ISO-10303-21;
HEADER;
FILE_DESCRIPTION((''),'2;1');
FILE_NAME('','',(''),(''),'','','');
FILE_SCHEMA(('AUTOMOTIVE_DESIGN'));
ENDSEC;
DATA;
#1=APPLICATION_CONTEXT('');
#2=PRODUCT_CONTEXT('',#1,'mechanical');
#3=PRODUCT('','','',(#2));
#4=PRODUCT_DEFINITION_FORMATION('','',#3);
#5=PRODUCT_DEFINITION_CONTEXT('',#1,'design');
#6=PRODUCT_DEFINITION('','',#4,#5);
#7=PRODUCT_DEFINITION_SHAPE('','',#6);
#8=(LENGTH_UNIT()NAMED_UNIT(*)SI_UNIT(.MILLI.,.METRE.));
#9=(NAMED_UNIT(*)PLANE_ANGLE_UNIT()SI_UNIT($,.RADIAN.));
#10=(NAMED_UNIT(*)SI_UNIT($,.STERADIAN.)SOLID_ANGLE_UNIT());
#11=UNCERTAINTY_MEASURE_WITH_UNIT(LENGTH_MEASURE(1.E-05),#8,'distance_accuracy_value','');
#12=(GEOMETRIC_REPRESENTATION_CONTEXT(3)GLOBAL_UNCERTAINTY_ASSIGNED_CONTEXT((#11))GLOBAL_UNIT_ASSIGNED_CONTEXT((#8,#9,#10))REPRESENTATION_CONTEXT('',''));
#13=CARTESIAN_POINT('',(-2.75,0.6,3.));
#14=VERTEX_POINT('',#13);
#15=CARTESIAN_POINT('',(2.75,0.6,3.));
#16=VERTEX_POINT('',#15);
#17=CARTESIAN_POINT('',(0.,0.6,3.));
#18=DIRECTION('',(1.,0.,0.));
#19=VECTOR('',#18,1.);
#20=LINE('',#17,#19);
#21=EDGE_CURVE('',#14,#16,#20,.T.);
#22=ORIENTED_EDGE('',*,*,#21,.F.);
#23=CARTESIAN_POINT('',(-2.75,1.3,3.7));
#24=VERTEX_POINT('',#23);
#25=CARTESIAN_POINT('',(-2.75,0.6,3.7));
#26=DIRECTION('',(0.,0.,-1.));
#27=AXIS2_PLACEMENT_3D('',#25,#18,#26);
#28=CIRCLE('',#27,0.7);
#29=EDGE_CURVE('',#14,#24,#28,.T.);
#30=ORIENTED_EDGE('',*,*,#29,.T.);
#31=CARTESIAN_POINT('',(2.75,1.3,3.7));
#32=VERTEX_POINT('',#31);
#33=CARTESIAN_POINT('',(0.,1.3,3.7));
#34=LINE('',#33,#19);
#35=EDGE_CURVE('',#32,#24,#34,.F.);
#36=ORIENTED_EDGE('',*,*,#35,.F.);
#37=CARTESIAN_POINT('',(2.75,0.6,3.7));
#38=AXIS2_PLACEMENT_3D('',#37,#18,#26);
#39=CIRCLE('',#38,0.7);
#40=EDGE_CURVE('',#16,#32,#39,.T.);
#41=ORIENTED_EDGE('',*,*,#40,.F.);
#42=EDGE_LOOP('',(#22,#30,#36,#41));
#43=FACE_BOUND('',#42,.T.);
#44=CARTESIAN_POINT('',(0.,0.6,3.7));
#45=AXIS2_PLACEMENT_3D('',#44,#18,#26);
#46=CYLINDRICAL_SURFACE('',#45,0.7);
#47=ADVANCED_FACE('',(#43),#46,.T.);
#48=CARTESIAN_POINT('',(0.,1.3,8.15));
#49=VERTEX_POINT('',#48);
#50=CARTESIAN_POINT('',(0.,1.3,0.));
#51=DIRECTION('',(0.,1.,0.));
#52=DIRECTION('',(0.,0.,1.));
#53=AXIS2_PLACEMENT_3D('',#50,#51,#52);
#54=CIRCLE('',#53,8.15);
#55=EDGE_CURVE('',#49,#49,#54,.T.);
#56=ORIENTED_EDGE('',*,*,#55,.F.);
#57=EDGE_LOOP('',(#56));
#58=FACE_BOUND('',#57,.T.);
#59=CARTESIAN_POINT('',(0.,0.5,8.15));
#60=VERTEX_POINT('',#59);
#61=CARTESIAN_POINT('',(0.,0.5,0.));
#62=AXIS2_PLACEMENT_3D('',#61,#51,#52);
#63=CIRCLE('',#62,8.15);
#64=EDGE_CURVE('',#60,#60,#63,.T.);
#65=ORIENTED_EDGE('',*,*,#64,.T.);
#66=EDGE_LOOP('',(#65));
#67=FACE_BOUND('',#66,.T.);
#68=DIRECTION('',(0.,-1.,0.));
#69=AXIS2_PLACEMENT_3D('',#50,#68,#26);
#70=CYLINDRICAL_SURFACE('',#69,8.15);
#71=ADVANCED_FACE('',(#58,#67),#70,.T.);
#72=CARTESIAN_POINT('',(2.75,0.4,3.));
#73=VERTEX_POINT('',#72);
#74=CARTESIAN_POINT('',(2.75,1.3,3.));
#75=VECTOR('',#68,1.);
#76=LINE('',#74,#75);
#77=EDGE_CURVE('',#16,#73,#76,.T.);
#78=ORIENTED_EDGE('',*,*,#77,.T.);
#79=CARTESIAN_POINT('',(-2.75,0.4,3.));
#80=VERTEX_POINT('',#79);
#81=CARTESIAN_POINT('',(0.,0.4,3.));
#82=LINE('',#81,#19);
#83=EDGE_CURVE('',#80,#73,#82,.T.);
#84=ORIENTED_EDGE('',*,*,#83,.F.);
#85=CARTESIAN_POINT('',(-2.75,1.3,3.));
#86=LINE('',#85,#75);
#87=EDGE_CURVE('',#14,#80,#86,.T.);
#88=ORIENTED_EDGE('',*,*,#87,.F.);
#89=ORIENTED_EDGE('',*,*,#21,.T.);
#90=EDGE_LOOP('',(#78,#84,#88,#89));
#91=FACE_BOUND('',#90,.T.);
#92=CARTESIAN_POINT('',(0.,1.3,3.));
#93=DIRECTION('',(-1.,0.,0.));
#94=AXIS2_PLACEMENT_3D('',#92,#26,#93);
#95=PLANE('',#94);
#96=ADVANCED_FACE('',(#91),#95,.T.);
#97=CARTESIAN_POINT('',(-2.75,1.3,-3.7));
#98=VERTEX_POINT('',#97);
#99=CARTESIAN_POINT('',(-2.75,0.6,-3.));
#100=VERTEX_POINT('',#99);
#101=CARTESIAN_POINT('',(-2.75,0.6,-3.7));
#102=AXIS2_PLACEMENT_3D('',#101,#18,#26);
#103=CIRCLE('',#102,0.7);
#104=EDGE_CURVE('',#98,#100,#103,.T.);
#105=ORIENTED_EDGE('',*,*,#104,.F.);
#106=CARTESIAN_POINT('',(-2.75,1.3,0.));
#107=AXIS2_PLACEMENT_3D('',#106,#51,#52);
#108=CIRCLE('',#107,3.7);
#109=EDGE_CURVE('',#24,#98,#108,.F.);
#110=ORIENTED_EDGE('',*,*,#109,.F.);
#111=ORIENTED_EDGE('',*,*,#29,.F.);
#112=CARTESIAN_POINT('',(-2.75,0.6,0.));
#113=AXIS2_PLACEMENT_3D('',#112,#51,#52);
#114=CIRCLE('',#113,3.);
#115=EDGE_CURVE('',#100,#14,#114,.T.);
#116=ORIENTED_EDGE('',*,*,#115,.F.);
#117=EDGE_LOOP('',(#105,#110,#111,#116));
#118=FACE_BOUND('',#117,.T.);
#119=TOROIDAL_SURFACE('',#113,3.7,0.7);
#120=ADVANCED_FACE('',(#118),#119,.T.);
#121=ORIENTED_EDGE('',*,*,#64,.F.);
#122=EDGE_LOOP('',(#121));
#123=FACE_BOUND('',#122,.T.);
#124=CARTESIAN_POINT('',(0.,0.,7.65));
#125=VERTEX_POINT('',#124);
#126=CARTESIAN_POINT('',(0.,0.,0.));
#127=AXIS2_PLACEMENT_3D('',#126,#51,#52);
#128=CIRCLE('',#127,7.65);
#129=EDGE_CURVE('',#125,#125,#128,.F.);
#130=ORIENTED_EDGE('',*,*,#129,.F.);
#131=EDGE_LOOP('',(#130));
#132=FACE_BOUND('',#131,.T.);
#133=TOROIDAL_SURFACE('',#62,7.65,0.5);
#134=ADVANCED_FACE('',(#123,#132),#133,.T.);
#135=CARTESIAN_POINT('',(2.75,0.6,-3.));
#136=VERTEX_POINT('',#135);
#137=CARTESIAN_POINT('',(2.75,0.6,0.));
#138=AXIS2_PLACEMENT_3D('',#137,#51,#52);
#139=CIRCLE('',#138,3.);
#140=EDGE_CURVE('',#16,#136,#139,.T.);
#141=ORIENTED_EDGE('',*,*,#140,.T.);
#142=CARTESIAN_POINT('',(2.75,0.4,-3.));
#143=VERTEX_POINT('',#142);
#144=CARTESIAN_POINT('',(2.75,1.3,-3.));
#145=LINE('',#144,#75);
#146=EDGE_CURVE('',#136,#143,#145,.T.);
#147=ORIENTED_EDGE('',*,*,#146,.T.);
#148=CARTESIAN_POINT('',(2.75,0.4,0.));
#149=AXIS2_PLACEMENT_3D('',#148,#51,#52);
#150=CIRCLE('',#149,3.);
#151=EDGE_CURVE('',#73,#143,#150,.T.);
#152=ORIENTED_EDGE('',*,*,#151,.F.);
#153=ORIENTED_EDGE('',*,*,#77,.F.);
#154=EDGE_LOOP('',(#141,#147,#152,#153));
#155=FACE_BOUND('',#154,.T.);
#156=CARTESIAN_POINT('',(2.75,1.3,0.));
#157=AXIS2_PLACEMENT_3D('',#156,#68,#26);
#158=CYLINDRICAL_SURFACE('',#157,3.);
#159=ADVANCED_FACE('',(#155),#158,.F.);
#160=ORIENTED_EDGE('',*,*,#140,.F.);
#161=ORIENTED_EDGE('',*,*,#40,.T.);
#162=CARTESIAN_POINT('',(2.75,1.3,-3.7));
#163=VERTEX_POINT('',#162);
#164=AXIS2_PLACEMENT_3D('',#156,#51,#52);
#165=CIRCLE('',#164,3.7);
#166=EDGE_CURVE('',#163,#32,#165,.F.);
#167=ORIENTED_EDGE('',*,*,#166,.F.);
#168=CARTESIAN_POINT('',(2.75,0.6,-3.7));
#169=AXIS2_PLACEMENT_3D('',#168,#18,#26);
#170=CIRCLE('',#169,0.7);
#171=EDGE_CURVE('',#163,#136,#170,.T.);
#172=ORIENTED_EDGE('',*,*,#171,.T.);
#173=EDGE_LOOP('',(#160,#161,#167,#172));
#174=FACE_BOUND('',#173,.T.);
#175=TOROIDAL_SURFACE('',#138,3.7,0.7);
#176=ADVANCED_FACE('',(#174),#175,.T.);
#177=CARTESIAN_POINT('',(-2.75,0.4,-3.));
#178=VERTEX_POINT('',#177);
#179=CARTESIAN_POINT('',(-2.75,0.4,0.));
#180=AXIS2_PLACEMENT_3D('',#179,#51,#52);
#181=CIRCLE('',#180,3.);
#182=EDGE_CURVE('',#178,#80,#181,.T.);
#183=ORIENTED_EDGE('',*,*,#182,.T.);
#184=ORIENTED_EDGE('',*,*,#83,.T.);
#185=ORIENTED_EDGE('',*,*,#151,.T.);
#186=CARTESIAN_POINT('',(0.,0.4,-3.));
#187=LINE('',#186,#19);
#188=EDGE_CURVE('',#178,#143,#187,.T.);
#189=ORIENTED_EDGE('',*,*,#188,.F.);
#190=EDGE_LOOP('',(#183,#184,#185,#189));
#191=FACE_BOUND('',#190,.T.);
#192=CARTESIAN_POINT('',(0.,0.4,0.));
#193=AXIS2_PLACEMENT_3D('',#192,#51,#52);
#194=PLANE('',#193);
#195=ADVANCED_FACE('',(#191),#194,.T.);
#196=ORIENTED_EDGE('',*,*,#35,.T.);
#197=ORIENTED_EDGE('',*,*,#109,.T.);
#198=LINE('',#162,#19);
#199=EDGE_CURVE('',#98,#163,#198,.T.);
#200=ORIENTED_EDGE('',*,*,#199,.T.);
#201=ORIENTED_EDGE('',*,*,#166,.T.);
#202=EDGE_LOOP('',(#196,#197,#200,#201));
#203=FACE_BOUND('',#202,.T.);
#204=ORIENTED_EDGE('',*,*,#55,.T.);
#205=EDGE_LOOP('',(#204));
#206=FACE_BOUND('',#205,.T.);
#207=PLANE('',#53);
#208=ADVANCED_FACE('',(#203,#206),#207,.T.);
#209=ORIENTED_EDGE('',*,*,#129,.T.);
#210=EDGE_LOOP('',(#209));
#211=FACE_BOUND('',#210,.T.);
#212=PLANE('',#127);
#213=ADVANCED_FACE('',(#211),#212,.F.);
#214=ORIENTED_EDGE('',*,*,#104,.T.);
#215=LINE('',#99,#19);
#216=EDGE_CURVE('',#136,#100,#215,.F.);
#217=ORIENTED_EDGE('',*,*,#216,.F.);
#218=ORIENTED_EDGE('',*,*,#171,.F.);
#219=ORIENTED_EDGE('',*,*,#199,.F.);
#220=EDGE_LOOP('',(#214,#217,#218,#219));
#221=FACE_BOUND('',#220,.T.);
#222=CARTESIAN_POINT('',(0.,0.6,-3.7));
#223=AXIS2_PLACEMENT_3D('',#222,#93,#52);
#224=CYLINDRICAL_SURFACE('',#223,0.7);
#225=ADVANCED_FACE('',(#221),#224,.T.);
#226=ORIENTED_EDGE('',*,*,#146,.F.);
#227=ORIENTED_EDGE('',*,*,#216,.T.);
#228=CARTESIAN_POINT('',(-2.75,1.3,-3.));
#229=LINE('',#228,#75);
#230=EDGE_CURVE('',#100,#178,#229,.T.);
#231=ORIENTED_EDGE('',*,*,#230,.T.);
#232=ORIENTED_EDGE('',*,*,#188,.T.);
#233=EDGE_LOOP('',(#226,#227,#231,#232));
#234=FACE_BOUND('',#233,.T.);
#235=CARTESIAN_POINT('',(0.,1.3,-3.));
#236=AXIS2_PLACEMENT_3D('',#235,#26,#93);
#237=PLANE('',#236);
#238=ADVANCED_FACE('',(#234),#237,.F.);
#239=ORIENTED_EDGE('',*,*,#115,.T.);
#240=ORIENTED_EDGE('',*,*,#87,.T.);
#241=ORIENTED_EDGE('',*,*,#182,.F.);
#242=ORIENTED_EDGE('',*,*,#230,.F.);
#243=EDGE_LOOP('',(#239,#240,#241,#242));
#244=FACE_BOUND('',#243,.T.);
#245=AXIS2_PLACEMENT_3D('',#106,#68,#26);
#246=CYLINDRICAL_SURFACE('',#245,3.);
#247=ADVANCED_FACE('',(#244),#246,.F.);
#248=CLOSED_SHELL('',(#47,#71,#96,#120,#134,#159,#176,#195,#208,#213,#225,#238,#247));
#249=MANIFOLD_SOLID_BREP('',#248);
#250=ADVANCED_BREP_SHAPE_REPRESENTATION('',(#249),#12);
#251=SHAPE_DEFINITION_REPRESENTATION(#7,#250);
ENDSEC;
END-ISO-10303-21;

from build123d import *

# Parameters (mm, degrees)
SKETCH1_R           = 8.15
BOSS_EXTRUDE1_DEPTH = 1.3
BOSS_EXTRUDE2_DEPTH = 0.4
FILLET3_R           = 0.7
FILLET4_R           = 0.5


with BuildPart() as part:
    # Sketch1 → Boss-Extrude1 (new body)
    with BuildSketch(Plane(origin=(0, 0, 0), x_dir=(1, 0, 0), z_dir=(0, 1, 0))):
        Circle(SKETCH1_R)
        with BuildLine():
            ThreePointArc((-2.75, -3), (-5.75, 0), (-2.75, 3))
            Line((-2.75, 3), (2.75, 3))
            ThreePointArc((2.75, 3), (4.871320344, 2.121320344), (5.75, 0))
            ThreePointArc((5.75, 0), (4.871320344, -2.121320344), (2.75, -3))
            Line((2.75, -3), (-2.75, -3))
        make_face(mode=Mode.SUBTRACT)
    extrude(amount=BOSS_EXTRUDE1_DEPTH)

    # Sketch1<3> → Boss-Extrude2 (add)
    with BuildSketch(Plane(origin=(0, 0, 0), x_dir=(1, 0, 0), z_dir=(0, 1, 0))):
        with BuildLine():
            ThreePointArc((-2.75, 3), (-5.75, 0), (-2.75, -3))
            Line((-2.75, -3), (2.75, -3))
            ThreePointArc((2.75, -3), (5.75, 0), (2.75, 3))
            Line((2.75, 3), (-2.75, 3))
        make_face()
    extrude(amount=BOSS_EXTRUDE2_DEPTH)

    # Fillet3
    fillet3_edges = [part.edges().sort_by_distance(p)[0] for p in [
        (5.75, 1.3, 0),
        (0, 1.3, 3),
        (-5.75, 1.3, 0),
        (0, 1.3, -3),
    ]]
    fillet(fillet3_edges, radius=FILLET3_R)

    # Fillet4
    fillet4_edges = [part.edges().sort_by_distance(p)[0] for p in [
        (-8.15, 0, 0),
    ]]
    fillet(fillet4_edges, radius=FILLET4_R)


solid = part.part
